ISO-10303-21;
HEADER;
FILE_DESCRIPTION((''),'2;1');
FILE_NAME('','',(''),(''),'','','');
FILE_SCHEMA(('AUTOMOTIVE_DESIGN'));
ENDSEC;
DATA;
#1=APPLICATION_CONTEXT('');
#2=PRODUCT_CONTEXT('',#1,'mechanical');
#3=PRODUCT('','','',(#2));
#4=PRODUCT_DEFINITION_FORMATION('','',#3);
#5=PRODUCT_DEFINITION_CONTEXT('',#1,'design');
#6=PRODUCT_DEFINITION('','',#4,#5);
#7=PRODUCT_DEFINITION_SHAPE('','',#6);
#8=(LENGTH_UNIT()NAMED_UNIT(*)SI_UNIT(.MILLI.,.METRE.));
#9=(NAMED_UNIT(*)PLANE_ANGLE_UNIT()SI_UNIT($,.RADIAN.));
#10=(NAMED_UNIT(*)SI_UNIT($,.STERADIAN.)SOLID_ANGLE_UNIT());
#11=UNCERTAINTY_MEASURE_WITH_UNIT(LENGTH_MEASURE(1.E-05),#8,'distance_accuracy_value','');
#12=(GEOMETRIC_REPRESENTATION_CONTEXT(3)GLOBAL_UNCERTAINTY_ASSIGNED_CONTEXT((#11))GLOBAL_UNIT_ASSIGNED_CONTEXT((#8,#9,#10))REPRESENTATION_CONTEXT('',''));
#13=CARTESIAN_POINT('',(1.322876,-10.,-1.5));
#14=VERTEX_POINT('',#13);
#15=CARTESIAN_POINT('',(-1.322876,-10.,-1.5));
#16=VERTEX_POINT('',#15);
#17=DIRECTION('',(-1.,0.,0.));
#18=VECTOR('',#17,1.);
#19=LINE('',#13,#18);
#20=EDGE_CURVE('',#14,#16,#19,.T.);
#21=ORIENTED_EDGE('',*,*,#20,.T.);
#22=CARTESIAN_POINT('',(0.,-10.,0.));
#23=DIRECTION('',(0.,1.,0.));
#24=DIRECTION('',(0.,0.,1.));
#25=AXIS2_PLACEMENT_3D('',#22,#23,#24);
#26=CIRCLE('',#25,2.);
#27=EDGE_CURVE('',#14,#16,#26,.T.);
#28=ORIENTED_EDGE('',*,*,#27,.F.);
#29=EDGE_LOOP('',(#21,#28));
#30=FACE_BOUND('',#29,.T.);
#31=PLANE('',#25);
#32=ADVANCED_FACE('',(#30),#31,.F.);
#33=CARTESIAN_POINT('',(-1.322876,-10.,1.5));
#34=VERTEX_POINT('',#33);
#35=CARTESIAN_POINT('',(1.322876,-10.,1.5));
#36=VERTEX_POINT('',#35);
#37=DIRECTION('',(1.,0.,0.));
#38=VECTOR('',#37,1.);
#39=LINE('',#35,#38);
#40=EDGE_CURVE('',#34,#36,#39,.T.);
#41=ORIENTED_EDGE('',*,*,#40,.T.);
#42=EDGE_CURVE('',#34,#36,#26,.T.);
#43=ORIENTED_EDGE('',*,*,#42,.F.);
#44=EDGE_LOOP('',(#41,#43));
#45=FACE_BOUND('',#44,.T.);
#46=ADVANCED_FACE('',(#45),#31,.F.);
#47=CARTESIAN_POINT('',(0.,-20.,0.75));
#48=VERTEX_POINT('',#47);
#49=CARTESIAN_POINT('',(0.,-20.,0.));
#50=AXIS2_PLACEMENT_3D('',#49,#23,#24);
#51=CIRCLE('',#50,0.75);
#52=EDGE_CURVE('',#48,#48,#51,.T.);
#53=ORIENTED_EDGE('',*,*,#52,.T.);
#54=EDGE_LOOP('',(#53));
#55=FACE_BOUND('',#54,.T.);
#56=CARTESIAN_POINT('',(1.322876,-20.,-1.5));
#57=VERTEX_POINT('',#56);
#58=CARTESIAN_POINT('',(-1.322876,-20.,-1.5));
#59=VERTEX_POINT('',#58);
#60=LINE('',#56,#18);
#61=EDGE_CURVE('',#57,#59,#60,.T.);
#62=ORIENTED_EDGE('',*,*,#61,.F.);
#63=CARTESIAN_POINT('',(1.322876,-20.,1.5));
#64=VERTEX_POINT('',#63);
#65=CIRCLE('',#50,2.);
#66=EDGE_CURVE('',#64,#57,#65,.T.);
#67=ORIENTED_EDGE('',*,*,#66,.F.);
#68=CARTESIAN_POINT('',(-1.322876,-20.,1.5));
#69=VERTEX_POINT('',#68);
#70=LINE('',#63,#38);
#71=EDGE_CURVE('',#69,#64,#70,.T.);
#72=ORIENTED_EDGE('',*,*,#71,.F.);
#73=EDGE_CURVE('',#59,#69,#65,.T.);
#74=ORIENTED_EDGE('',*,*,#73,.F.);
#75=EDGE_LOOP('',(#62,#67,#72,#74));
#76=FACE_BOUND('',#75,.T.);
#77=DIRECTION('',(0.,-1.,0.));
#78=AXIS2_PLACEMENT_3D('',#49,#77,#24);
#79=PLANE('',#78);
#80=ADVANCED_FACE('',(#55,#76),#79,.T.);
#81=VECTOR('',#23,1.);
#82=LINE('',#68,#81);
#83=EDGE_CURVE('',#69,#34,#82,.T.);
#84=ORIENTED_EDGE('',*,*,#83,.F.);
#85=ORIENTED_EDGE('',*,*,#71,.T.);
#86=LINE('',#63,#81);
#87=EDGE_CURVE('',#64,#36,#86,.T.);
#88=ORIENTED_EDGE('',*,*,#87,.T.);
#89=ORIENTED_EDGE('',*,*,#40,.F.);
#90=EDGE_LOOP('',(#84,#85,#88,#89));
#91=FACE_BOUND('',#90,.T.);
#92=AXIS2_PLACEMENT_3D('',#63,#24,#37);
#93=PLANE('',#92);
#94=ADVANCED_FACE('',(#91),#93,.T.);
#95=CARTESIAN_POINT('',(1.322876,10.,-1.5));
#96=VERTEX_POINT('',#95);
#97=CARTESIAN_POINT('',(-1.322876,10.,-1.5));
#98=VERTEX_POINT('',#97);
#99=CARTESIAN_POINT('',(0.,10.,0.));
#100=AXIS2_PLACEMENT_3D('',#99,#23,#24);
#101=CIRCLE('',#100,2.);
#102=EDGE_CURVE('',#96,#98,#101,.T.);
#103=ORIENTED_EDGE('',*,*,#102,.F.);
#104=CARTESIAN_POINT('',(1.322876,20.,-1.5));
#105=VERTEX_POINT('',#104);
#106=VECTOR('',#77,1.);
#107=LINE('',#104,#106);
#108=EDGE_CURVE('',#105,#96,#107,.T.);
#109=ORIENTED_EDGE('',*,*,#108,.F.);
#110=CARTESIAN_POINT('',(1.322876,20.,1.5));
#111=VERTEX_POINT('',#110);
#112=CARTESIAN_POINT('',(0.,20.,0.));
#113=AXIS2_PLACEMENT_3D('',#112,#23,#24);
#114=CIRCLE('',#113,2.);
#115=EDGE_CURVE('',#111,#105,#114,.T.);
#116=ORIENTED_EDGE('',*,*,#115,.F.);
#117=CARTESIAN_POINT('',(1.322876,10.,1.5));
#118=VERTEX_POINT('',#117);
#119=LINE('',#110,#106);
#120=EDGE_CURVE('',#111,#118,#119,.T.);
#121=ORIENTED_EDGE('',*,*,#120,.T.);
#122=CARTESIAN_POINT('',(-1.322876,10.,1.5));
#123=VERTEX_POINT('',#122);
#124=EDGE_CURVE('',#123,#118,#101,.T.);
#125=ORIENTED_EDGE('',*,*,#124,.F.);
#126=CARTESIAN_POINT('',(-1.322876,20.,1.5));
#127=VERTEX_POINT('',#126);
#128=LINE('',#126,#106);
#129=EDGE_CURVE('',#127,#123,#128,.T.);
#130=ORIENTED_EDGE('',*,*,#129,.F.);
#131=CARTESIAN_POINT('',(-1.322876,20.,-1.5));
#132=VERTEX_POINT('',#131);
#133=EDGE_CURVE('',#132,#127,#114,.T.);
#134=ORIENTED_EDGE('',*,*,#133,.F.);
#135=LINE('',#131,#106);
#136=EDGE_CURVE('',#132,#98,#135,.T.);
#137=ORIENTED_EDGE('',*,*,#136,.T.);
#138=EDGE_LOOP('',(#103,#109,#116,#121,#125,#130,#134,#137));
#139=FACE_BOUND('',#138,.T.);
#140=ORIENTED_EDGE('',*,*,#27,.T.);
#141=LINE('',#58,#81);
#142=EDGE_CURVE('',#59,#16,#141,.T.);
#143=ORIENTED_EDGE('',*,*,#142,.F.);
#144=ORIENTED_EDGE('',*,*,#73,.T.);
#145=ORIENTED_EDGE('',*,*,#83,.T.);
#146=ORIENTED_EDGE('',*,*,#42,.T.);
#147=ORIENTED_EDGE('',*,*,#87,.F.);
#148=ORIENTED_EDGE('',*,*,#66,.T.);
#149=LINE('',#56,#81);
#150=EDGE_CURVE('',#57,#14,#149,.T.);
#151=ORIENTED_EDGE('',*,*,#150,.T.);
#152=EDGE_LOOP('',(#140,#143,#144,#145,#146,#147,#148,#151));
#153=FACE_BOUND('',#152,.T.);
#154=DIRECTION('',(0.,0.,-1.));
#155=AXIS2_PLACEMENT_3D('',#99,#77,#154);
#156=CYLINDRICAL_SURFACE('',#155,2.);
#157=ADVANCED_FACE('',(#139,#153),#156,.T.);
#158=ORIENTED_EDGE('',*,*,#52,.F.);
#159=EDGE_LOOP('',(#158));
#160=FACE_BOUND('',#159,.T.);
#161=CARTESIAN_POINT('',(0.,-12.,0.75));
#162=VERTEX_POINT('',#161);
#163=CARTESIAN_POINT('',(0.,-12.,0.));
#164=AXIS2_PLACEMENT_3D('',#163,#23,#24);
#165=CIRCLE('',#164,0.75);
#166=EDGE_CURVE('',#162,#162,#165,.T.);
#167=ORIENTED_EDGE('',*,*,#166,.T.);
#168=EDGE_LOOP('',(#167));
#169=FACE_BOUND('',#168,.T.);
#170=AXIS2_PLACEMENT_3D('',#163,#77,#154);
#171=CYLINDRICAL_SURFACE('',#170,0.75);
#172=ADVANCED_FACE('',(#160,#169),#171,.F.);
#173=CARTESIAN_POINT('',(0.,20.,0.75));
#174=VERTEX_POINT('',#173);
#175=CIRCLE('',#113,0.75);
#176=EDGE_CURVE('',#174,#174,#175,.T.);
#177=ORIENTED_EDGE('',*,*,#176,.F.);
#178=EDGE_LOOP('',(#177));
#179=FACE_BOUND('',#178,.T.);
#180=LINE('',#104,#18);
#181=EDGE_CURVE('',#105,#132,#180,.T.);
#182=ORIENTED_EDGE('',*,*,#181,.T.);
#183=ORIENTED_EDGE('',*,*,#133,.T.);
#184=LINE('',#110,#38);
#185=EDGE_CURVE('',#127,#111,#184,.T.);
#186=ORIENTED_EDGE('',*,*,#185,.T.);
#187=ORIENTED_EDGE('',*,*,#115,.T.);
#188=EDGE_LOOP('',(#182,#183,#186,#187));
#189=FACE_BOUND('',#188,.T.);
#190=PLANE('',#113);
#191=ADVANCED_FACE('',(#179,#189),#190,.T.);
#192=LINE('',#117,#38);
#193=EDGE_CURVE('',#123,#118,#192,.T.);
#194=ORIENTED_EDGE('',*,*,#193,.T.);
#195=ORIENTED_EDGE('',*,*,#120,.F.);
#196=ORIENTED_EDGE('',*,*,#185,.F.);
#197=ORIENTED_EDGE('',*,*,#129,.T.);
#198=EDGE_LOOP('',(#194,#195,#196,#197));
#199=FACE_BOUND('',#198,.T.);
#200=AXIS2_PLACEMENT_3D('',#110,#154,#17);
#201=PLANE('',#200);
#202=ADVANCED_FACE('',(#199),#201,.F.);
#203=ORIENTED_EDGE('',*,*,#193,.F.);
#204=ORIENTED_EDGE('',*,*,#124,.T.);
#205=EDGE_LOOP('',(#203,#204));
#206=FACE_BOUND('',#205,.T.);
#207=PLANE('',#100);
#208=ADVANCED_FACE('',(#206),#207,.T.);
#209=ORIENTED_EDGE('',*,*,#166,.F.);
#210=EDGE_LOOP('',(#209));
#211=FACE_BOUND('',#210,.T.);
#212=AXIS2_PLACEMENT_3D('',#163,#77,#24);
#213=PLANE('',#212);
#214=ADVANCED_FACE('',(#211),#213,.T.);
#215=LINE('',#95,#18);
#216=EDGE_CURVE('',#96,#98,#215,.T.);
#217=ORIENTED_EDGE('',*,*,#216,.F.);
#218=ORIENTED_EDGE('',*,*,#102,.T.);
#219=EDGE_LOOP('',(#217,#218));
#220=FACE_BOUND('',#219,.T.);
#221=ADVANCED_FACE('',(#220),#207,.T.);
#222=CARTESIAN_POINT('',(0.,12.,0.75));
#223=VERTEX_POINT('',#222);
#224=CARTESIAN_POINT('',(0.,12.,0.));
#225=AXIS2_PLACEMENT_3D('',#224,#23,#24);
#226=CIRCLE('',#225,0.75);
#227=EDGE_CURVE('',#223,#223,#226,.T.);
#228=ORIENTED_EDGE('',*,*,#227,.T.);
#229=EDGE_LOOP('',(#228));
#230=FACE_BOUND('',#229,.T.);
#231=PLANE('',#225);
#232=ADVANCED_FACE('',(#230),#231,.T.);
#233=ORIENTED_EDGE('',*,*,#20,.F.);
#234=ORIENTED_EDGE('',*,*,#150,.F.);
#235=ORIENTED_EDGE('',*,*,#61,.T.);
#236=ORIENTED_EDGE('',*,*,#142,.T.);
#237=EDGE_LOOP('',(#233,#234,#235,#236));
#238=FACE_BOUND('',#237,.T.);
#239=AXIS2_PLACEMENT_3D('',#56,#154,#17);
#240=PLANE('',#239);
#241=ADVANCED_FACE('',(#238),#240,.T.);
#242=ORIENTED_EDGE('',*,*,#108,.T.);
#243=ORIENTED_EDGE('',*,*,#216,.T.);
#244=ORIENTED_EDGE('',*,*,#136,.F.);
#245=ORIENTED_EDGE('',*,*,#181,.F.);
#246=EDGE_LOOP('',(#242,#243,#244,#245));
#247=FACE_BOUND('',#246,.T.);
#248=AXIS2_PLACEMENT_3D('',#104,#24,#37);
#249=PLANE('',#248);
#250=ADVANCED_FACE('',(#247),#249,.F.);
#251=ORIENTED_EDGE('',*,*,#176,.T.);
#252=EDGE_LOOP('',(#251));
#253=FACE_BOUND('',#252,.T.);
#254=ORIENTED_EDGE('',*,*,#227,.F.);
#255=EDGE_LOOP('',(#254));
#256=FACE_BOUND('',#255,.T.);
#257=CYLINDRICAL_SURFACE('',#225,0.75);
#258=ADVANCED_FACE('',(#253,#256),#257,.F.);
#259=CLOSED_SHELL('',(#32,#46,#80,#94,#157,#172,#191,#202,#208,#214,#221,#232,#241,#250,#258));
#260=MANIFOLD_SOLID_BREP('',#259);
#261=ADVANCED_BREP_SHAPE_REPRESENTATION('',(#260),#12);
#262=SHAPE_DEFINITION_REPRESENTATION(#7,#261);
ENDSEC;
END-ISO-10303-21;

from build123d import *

# Parameters (mm, degrees)
CROQUIS1_R              = 2
SALIENTE_EXTRUIR1_DEPTH = 10
SALIENTE_EXTRUIR2_START = 10
SALIENTE_EXTRUIR2_DEPTH = 10
CROQUIS3_R              = 0.75
CORTAR_EXTRUIR1_DEPTH   = 8


with BuildPart() as part:
    # Croquis1 → Saliente-Extruir1 (new, symmetric)
    with BuildSketch(Plane(origin=(0, 0, 0), x_dir=(1, 0, 0), z_dir=(0, 1, 0))):
        with Locations(Location((0, 0, 0), (0, 0, 270))):
            Circle(CROQUIS1_R)
    extrude(amount=SALIENTE_EXTRUIR1_DEPTH, both=True)

    # Croquis2 → Saliente-Extruir2 (add)
    with BuildSketch(Plane(origin=(0, 10, 0), x_dir=(1, 0, 0), z_dir=(0, 1, 0)).offset(SALIENTE_EXTRUIR2_START)):
        with BuildLine():
            Line((1.322875656, 1.5), (-1.322875656, 1.5))
            ThreePointArc((-1.322875656, 1.5), (-2, 0), (-1.322875656, -1.5))
            Line((-1.322875656, -1.5), (1.322875656, -1.5))
            ThreePointArc((1.322875656, -1.5), (2, 0), (1.322875656, 1.5))
        make_face()
    saliente_extruir2 = extrude(amount=-SALIENTE_EXTRUIR2_DEPTH)

    # Croquis3 → Cortar-Extruir1 (cut)
    with BuildSketch(Plane(origin=(0, 20, 0), x_dir=(1, 0, 0), z_dir=(0, 1, 0))):
        with Locations(Location((0, 0, 0), (0, 0, 270))):
            Circle(CROQUIS3_R)
    cortar_extruir1 = extrude(amount=-CORTAR_EXTRUIR1_DEPTH, mode=Mode.SUBTRACT)

    # Simetría1: Saliente-Extruir2, Cortar-Extruir1 across plane
    add(saliente_extruir2.mirror(Plane.ZX))
    add(cortar_extruir1.mirror(Plane.ZX), mode=Mode.SUBTRACT)


solid = part.part
